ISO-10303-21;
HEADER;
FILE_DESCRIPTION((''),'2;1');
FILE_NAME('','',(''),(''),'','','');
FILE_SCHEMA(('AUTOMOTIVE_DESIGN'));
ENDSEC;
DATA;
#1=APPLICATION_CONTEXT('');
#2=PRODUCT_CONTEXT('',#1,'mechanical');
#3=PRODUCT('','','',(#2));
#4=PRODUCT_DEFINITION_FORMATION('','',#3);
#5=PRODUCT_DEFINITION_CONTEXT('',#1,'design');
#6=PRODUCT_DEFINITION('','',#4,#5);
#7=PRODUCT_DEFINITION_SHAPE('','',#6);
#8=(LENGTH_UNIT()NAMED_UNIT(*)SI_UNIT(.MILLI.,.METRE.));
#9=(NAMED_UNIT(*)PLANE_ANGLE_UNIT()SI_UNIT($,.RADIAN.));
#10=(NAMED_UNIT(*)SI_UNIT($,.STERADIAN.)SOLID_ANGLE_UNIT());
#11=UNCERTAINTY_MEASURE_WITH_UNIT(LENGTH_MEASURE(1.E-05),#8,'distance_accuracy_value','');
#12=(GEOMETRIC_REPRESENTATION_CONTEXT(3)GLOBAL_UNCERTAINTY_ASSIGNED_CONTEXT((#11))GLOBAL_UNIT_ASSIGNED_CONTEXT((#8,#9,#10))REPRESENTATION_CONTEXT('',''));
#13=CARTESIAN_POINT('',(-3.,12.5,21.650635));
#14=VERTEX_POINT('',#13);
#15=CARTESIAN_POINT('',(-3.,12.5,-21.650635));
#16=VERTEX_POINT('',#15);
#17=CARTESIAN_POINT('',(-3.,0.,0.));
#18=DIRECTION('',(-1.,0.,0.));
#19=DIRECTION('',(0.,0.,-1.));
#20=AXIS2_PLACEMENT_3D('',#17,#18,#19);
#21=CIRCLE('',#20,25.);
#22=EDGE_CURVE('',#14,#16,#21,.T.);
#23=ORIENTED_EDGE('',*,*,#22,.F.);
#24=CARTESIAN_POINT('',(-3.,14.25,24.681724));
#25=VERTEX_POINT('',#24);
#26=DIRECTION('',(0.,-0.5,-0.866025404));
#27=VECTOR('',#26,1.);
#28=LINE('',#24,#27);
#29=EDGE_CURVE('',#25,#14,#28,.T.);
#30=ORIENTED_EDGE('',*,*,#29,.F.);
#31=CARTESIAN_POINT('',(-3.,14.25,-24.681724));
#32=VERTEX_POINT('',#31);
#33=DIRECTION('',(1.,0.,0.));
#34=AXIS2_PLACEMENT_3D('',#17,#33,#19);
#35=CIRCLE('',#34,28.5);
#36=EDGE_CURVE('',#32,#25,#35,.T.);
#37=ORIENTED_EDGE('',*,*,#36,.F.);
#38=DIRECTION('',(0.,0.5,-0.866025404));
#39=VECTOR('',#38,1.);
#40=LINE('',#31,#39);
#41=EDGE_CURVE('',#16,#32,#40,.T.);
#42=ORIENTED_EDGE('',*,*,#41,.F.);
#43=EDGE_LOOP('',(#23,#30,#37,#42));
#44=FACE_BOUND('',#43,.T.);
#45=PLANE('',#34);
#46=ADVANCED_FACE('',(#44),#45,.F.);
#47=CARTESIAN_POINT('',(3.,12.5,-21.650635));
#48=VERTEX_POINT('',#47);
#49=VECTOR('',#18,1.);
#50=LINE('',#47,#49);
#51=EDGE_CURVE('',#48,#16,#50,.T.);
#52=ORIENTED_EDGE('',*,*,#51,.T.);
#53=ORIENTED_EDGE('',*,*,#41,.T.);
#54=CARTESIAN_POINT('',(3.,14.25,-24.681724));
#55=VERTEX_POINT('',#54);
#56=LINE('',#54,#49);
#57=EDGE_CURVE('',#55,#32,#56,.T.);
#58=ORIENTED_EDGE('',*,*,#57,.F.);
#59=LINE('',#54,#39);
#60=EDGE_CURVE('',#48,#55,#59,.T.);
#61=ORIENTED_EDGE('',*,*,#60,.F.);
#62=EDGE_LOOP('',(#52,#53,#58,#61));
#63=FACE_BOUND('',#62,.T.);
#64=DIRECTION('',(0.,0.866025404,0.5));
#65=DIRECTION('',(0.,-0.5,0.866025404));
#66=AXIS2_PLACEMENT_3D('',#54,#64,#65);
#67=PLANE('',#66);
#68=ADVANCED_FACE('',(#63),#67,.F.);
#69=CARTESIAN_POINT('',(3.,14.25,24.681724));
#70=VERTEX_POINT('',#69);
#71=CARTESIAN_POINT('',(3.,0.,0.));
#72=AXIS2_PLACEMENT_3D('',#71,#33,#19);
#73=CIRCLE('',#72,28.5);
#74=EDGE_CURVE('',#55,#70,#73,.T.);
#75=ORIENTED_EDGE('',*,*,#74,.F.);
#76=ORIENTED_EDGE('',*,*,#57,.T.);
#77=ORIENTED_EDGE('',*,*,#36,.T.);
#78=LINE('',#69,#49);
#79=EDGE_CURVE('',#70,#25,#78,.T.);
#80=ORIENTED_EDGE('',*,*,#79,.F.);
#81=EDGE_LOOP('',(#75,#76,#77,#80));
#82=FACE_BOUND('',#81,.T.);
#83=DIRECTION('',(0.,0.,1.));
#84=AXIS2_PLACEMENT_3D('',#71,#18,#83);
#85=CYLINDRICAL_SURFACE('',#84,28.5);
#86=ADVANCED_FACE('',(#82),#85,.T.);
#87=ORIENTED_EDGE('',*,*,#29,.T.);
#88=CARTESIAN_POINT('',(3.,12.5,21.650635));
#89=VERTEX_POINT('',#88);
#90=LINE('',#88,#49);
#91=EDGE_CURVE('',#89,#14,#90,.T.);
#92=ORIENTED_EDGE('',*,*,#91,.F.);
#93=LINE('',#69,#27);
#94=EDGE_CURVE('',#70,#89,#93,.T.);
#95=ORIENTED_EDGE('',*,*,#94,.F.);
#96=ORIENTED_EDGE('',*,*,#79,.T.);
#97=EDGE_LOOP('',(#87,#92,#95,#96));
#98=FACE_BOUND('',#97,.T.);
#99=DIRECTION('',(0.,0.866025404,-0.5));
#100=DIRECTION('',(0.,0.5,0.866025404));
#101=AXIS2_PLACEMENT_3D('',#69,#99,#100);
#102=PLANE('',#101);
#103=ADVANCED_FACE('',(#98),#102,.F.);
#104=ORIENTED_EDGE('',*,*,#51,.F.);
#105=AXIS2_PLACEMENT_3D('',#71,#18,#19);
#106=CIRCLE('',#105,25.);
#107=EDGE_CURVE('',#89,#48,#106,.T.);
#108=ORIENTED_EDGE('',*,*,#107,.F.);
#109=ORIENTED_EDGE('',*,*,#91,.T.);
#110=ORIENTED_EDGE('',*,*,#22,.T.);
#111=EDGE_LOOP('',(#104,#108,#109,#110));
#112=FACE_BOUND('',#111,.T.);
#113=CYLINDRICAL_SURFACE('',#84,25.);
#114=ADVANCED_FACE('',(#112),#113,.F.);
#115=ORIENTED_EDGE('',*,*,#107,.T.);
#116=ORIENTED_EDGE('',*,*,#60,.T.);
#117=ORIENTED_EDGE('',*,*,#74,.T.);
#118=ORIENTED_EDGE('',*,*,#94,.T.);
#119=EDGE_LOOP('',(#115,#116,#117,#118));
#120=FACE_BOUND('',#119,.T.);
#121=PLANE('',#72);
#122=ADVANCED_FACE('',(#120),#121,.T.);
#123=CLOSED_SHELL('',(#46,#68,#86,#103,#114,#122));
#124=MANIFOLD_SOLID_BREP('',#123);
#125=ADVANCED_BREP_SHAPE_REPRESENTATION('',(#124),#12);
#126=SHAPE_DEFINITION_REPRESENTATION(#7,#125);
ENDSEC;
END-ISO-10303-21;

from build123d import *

# Parameters (mm, degrees)
BOSS_EXTRUDE1_DEPTH = 3


with BuildPart() as part:
    # Sketch1 → Boss-Extrude1 (new body, symmetric)
    with BuildSketch(Plane(origin=(0, 0, 0), x_dir=(0, 0, -1), z_dir=(1, 0, 0))):
        with BuildLine():
            Line((-24.681724008, 14.25), (-21.650635095, 12.5))
            ThreePointArc((-21.650635095, 12.5), (0, 25), (21.650635095, 12.5))
            Line((21.650635095, 12.5), (24.681724008, 14.25))
            ThreePointArc((24.681724008, 14.25), (0, 28.5), (-24.681724008, 14.25))
        make_face()
    extrude(amount=BOSS_EXTRUDE1_DEPTH, both=True)


solid = part.part
